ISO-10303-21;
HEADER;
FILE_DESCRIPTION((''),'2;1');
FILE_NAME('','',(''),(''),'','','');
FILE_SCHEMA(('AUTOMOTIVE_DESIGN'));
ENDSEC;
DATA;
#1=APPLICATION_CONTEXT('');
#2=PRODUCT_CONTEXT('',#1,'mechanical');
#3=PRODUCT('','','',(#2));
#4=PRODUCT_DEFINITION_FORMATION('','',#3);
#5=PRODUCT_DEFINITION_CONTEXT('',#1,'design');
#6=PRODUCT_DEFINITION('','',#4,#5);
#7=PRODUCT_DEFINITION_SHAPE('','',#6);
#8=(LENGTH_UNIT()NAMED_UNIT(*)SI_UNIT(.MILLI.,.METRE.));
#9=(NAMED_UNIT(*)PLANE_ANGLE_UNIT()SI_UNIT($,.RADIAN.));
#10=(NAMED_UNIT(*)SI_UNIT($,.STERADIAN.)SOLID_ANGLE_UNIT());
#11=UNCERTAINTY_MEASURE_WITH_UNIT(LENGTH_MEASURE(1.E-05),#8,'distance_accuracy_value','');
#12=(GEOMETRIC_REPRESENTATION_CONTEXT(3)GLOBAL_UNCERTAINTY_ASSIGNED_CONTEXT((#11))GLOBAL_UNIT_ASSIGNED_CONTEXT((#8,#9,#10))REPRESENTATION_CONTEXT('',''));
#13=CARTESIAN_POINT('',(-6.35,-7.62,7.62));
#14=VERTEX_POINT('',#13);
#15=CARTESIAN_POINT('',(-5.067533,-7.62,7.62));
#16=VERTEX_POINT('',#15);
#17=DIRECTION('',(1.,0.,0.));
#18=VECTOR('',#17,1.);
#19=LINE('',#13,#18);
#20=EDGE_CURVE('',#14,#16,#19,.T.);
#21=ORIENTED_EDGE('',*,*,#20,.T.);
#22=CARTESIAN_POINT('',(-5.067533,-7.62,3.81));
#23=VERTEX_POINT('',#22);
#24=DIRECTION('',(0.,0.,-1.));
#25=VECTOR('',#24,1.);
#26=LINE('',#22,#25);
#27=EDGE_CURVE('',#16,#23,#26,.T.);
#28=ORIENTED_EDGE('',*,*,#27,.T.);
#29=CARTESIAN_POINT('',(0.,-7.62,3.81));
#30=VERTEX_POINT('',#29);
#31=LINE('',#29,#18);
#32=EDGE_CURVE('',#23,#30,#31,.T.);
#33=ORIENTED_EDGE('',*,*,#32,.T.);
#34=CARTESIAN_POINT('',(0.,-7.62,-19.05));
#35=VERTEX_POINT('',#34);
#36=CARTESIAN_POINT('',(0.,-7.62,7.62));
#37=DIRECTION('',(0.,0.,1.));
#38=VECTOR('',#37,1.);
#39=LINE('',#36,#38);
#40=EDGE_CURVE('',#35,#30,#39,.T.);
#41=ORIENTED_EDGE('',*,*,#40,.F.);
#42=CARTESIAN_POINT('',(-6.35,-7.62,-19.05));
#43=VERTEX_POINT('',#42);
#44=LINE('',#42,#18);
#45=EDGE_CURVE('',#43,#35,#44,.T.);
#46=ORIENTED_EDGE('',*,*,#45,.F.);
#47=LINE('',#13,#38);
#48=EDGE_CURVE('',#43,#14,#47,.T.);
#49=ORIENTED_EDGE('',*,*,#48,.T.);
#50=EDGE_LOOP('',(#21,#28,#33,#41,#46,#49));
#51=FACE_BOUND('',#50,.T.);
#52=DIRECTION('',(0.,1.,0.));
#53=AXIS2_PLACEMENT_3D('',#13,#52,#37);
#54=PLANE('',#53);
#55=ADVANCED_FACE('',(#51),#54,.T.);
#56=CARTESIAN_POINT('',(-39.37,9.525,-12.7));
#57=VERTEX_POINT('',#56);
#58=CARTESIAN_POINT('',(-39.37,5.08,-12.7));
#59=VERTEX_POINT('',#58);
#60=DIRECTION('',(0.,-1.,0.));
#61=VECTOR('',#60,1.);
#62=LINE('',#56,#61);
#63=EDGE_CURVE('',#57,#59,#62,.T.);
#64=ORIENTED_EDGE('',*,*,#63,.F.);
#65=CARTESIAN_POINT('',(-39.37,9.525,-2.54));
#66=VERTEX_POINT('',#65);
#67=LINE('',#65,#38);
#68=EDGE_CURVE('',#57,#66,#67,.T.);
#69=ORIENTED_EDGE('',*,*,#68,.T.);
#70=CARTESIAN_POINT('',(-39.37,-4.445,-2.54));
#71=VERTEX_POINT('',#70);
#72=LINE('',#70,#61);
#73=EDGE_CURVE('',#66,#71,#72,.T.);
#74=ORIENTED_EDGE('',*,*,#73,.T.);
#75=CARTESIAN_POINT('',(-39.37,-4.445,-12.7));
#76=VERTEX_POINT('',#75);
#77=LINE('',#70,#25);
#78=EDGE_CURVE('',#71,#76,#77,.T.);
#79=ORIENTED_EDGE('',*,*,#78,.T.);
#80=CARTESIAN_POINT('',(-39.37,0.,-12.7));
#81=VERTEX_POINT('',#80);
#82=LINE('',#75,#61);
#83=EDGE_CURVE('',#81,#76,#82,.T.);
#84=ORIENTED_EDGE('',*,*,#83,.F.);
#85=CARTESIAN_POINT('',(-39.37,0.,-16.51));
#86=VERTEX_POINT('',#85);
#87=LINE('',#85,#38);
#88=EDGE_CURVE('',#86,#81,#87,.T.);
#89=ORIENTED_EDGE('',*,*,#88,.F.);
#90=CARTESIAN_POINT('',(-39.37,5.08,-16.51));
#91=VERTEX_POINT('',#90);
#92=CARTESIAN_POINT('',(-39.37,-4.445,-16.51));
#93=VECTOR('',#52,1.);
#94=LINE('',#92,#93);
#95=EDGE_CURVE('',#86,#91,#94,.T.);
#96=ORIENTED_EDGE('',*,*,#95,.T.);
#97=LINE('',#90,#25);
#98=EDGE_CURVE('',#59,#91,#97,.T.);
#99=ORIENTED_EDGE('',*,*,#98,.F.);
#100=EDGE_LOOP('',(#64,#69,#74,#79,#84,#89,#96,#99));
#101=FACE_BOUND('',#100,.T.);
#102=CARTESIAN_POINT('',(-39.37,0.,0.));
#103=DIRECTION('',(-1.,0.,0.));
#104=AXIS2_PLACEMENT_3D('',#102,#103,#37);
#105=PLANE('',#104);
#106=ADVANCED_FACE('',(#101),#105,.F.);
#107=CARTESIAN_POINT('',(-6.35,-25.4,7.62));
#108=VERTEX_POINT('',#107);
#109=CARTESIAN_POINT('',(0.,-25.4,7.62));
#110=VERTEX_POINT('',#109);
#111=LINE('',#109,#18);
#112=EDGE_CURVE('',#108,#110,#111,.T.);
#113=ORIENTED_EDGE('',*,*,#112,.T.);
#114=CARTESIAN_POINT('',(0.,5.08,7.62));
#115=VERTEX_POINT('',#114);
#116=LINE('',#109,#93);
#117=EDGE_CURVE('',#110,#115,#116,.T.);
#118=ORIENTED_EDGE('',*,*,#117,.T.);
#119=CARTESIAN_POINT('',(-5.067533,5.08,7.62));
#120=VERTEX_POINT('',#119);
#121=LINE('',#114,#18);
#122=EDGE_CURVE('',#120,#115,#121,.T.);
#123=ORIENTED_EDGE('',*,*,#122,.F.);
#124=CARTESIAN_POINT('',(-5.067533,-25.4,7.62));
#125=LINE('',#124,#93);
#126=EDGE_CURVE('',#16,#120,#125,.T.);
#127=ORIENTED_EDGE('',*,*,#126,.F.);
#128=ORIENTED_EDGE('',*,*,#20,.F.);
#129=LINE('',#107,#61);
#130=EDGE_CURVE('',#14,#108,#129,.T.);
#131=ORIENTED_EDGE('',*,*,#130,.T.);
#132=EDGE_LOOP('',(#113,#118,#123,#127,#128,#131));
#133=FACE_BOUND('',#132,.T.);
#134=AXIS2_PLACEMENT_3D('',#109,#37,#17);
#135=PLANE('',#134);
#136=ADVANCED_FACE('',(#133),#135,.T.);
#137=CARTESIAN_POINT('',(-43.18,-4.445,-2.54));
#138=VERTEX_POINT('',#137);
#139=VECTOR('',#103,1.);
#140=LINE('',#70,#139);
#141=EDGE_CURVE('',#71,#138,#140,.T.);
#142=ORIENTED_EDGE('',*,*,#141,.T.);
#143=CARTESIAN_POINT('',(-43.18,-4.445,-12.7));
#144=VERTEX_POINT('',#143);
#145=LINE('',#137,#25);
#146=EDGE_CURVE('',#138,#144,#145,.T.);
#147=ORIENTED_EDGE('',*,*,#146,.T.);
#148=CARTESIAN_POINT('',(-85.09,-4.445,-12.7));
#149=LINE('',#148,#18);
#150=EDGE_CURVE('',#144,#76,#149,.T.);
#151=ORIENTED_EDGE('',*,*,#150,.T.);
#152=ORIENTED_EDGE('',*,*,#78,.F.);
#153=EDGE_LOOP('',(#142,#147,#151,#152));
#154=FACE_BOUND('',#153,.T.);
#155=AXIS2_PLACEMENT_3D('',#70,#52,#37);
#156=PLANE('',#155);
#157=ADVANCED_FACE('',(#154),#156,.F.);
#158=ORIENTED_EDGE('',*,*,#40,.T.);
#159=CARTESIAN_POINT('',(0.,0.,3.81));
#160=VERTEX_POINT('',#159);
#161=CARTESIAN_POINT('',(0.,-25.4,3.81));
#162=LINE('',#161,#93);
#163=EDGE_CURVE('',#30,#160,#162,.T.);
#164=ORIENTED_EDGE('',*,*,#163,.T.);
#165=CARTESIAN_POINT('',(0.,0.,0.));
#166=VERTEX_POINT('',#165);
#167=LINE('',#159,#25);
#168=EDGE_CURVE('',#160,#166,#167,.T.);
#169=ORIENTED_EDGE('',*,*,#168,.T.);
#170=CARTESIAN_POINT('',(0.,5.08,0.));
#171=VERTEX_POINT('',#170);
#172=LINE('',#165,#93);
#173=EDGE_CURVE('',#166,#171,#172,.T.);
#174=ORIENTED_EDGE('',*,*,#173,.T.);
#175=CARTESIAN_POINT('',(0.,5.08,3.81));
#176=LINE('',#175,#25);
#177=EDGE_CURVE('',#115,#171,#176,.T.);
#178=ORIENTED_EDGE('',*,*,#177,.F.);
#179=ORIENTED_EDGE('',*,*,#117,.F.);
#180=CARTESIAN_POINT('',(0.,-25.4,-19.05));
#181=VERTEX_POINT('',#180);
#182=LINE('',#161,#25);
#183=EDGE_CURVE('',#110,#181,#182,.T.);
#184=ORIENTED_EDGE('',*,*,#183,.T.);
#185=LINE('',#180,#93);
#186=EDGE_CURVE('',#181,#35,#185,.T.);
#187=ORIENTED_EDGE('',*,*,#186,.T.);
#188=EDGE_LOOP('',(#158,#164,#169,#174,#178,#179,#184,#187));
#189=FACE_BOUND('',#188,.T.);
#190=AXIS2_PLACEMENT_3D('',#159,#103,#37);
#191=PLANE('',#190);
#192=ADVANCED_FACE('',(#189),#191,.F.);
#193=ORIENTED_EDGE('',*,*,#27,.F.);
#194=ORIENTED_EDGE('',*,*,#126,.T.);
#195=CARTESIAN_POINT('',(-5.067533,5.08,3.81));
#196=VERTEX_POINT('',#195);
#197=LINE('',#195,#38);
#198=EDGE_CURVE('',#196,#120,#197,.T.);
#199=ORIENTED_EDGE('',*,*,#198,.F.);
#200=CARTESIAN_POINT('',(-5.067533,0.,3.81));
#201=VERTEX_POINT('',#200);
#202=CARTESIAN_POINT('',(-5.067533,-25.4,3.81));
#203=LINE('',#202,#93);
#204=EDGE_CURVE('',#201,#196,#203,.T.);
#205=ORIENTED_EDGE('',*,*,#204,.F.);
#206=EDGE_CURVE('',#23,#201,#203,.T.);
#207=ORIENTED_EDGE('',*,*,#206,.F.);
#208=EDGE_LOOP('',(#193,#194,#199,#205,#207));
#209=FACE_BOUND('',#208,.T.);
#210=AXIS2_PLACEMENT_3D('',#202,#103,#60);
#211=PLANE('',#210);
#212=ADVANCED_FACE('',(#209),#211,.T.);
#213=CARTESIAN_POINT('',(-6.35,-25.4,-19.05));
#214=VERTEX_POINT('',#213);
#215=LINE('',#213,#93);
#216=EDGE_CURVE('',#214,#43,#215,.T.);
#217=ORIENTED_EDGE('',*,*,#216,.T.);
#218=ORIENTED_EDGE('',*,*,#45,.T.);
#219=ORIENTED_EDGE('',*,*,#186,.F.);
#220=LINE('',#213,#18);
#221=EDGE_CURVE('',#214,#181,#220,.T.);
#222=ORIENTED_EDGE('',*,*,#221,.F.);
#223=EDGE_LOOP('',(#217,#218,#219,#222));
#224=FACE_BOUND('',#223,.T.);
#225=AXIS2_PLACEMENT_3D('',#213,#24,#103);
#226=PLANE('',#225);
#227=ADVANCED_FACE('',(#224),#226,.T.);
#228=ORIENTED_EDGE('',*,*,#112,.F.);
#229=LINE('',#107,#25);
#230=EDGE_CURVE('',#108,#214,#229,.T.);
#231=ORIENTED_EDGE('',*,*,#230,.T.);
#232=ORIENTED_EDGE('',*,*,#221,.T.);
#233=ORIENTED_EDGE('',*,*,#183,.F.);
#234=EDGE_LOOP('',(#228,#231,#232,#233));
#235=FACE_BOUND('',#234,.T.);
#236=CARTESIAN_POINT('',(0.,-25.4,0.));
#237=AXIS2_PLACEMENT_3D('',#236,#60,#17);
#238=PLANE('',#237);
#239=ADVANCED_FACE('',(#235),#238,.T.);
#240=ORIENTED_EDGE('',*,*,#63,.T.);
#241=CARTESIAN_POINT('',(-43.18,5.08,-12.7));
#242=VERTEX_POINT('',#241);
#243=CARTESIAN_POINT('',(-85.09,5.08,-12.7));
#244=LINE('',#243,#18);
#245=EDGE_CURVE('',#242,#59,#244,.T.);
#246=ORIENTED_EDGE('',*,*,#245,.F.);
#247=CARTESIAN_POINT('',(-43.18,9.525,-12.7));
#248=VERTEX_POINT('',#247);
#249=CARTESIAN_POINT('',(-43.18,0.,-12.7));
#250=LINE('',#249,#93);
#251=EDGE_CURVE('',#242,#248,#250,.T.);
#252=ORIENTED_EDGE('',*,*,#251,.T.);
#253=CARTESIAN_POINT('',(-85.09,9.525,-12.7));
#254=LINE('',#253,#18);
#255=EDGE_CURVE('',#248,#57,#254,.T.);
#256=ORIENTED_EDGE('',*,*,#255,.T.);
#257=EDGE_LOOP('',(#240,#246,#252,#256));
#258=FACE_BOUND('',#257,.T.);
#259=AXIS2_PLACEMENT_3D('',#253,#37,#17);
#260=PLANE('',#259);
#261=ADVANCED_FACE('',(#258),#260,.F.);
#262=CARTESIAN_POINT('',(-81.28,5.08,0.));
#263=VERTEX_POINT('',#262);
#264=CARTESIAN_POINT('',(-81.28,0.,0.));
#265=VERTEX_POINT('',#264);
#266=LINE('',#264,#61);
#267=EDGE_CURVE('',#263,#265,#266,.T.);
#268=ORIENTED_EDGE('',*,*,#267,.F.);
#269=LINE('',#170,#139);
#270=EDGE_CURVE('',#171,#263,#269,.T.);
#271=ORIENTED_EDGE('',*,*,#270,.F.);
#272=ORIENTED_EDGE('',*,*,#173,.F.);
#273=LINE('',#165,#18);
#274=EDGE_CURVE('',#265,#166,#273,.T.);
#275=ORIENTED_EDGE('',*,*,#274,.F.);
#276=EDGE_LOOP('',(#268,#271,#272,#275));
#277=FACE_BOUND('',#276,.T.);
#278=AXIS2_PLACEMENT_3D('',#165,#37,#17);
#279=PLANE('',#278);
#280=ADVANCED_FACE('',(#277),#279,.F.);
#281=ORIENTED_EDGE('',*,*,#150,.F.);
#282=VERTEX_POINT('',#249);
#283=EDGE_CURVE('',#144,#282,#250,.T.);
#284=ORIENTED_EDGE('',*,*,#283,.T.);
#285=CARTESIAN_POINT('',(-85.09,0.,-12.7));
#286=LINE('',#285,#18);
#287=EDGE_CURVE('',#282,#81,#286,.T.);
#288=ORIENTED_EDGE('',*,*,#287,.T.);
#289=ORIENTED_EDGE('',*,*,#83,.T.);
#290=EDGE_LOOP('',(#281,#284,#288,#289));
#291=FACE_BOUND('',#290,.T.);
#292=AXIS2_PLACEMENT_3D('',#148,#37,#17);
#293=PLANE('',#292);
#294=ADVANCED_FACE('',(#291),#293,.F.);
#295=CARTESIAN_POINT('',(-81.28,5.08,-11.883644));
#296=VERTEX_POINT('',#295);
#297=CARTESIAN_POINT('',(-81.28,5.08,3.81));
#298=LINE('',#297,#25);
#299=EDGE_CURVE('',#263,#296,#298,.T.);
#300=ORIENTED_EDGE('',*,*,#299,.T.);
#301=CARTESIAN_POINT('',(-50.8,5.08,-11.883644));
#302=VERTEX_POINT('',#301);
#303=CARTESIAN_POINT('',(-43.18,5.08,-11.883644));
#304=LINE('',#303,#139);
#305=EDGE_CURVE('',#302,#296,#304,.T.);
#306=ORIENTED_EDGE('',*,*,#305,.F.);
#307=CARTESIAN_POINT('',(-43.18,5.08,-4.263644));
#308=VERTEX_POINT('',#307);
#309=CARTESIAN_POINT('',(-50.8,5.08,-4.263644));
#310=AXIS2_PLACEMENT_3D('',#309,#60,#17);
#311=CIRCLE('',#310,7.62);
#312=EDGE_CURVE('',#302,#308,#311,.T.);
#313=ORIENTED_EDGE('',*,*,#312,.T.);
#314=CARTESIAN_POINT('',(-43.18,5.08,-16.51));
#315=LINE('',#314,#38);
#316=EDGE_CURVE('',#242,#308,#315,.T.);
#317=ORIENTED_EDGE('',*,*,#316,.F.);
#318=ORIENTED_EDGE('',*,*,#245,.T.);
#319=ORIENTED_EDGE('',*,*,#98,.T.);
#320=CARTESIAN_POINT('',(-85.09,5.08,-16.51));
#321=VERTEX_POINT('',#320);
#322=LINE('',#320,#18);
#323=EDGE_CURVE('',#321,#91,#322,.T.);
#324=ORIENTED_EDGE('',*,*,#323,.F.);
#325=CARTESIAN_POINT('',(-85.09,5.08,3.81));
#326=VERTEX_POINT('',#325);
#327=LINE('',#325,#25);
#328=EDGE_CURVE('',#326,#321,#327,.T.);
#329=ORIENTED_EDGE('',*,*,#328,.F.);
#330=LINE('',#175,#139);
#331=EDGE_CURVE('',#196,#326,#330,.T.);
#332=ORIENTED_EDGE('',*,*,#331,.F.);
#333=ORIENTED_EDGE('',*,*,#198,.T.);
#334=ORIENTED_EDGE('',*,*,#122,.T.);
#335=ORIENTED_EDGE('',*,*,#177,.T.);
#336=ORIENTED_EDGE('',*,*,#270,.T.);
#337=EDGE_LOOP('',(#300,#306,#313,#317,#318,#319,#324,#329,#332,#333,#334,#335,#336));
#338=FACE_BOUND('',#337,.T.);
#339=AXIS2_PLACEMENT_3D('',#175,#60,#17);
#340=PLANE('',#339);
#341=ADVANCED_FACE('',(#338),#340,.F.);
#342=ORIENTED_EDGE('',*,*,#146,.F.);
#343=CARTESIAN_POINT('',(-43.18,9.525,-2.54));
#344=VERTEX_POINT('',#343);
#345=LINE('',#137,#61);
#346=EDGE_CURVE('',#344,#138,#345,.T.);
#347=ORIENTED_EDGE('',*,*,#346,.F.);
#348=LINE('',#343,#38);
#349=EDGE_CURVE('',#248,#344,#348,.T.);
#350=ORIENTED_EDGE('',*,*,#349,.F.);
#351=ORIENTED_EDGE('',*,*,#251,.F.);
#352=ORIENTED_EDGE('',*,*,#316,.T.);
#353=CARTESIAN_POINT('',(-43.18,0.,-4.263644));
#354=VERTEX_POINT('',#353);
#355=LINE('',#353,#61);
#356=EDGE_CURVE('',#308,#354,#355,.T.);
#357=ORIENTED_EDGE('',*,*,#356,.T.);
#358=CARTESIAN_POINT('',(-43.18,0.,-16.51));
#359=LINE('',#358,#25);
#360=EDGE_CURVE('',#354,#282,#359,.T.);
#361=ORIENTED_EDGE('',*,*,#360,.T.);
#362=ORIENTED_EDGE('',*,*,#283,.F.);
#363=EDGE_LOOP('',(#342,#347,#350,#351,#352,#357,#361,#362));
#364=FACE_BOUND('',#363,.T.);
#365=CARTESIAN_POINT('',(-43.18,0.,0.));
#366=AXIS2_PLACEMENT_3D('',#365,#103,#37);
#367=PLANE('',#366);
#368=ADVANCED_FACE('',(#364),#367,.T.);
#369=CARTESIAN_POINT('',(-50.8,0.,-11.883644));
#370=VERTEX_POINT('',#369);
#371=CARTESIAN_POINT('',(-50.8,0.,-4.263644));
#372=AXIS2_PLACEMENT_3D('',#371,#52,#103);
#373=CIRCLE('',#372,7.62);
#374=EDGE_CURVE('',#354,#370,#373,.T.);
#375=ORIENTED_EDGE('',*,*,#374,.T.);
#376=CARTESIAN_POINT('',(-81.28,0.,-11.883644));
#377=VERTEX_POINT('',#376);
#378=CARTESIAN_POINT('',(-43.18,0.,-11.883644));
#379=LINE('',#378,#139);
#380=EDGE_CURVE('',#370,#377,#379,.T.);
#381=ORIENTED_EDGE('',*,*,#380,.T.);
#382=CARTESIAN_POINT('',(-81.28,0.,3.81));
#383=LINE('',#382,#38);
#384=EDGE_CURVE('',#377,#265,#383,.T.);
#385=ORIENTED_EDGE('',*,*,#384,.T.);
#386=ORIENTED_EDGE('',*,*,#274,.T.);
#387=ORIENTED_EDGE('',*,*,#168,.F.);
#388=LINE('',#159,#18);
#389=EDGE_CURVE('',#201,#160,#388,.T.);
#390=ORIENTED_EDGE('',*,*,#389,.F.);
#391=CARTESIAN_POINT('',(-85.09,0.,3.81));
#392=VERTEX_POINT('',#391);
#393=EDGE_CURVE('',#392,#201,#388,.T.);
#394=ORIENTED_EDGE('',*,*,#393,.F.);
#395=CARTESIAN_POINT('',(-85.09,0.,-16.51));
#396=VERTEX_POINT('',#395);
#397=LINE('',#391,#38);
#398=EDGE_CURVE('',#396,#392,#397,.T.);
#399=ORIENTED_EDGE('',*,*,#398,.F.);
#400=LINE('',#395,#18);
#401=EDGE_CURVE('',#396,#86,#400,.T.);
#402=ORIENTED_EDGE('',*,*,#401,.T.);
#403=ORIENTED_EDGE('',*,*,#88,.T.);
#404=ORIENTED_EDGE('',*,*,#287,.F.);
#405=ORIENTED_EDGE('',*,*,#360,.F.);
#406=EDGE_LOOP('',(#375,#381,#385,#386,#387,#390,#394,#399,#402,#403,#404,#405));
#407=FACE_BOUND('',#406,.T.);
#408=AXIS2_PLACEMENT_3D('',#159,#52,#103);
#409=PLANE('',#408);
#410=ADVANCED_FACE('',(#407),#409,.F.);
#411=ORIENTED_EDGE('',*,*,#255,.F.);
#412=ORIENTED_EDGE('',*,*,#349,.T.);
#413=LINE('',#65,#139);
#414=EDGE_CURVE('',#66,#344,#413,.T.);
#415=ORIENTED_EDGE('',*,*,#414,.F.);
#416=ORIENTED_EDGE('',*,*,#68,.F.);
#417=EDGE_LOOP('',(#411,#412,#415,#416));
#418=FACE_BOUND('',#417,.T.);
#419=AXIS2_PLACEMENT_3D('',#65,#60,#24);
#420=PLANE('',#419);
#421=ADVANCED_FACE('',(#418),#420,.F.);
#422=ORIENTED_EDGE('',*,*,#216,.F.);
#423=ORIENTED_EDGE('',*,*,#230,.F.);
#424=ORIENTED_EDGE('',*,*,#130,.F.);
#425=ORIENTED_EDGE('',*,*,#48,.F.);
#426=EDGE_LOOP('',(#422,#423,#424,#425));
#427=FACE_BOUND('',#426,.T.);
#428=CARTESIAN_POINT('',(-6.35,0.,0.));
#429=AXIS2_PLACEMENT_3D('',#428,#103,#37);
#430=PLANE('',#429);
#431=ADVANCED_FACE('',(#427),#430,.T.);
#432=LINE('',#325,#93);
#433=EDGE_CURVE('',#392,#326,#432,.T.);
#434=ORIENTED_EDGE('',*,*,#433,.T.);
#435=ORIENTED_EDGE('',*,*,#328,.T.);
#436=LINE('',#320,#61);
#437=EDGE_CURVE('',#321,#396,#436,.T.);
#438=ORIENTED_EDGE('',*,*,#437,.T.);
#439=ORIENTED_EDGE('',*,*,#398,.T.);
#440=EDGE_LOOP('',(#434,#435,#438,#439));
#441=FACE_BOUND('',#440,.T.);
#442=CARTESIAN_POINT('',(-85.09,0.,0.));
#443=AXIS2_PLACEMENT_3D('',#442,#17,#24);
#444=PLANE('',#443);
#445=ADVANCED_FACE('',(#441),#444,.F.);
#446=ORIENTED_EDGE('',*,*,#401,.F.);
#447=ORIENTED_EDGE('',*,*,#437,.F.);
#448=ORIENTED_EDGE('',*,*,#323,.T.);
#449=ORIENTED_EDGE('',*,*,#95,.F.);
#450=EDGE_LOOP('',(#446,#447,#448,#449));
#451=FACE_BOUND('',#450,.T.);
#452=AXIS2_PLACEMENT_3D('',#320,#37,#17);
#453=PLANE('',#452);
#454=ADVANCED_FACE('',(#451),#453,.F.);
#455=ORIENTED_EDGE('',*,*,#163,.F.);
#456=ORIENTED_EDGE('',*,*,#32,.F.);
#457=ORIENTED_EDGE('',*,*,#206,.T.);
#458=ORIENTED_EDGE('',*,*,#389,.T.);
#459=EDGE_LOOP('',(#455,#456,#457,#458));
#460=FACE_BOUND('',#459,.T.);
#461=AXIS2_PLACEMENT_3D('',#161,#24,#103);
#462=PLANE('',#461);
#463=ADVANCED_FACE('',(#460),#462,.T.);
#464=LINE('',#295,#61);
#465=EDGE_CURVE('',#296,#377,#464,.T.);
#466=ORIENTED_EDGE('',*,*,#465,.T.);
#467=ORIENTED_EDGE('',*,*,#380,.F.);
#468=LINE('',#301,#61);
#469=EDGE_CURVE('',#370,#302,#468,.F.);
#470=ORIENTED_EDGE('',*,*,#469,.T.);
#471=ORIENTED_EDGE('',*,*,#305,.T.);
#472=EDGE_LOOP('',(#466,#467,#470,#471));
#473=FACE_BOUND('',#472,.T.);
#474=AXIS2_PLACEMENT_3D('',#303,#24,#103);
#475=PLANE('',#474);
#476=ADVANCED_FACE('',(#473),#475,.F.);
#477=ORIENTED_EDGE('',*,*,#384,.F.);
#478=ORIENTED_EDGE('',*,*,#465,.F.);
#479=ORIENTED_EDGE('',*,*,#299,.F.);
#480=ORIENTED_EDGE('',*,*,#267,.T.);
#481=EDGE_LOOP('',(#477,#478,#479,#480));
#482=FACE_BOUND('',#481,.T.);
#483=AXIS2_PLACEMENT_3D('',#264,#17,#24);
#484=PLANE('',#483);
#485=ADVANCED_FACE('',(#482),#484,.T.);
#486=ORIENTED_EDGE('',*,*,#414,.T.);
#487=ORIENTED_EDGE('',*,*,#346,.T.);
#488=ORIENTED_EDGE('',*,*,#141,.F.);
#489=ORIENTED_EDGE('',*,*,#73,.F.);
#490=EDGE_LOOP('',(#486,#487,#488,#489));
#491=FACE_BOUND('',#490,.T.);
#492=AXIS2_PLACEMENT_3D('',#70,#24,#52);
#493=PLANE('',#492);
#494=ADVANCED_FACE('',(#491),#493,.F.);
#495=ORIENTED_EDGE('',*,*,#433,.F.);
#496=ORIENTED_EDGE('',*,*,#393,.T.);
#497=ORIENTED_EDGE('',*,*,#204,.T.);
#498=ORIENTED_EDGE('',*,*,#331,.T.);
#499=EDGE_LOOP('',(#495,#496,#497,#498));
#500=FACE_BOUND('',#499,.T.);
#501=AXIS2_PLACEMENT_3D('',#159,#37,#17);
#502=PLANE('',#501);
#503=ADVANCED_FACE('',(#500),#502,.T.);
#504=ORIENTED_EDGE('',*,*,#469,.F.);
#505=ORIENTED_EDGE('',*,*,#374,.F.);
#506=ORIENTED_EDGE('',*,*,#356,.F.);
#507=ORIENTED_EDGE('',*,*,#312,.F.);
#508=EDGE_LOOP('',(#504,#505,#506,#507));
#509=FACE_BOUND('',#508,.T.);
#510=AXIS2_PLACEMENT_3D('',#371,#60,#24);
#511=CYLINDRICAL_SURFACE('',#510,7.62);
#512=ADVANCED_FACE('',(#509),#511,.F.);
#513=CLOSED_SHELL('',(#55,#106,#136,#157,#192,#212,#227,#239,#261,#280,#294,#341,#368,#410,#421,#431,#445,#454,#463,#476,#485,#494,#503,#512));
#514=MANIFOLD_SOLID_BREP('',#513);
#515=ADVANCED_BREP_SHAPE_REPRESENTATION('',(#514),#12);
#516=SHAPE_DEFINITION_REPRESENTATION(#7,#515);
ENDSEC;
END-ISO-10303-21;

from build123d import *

# Parameters (mm, degrees)
SKETCH1_W           = 81.28
SKETCH1_H           = 5.08
BOSS_EXTRUDE1_DEPTH = 3.81
SKETCH3_W           = 5.067533081
SKETCH3_H           = 3.81
BOSS_EXTRUDE2_DEPTH = 30.48
SKETCH4_W           = 26.67
SKETCH4_H           = 17.78
BOSS_EXTRUDE3_DEPTH = 6.35
SKETCH6_W           = 20.32
SKETCH6_H           = 5.08
BOSS_EXTRUDE4_DEPTH = 3.81
SKETCH7_W           = 4.626355507
SKETCH7_H           = 5.08
BOSS_EXTRUDE5_DEPTH = 38.1
SKETCH8_W           = 13.97
SKETCH8_H           = 13.97
BOSS_EXTRUDE6_DEPTH = 3.81
SKETCH9_W           = 3.81
SKETCH9_H           = 4.445
CUT_EXTRUDE1_DEPTH  = 56.663101782
FILLET1_R           = 7.62


with BuildPart() as part:
    # Sketch1 → Boss-Extrude1 (new body)
    with BuildSketch(Plane.XY):
        with Locations((-40.64, 2.54)):
            Rectangle(SKETCH1_W, SKETCH1_H)
    extrude(amount=BOSS_EXTRUDE1_DEPTH)

    # Sketch3 → Boss-Extrude2 (add)
    with BuildSketch(Plane(origin=(0, 5.08, 0), x_dir=(1, 0, 0), z_dir=(0, 1, 0))):
        with Locations((-2.533766541, -5.715)):
            Rectangle(SKETCH3_W, SKETCH3_H)
    extrude(amount=-BOSS_EXTRUDE2_DEPTH)

    # Sketch4 → Boss-Extrude3 (add)
    with BuildSketch(Plane(origin=(0, 0, 0), x_dir=(0, 0, -1), z_dir=(1, 0, 0))):
        with Locations((5.715, -16.51)):
            Rectangle(SKETCH4_W, SKETCH4_H)
    extrude(amount=-BOSS_EXTRUDE3_DEPTH)

    # Sketch6 → Boss-Extrude4 (add)
    with BuildSketch(Plane.ZY.offset(81.28)):
        with Locations((-6.35, 2.54)):
            Rectangle(SKETCH6_W, SKETCH6_H)
    extrude(amount=BOSS_EXTRUDE4_DEPTH)

    # Sketch7 → Boss-Extrude5 (add)
    with BuildSketch(Plane(origin=(-81.28, 0, 0), x_dir=(0, 0, -1), z_dir=(1, 0, 0))):
        with Locations((14.196822247, 2.54)):
            Rectangle(SKETCH7_W, SKETCH7_H)
    extrude(amount=BOSS_EXTRUDE5_DEPTH)

    # Sketch8 → Boss-Extrude6 (add)
    with BuildSketch(Plane(origin=(-43.18, 0, 0), x_dir=(0, 0, -1), z_dir=(1, 0, 0))):
        with Locations((9.525, 2.54)):
            Rectangle(SKETCH8_W, SKETCH8_H)
    extrude(amount=BOSS_EXTRUDE6_DEPTH)

    # Sketch9 → Cut-Extrude1 (cut, through all)
    with BuildSketch(Plane(origin=(-39.37, 0, 0), x_dir=(0, 0, -1), z_dir=(1, 0, 0))):
        with Locations((14.605, -2.2225)):
            Rectangle(SKETCH9_W, SKETCH9_H)
        with Locations((14.605, 7.3025)):
            Rectangle(SKETCH9_W, SKETCH9_H)
    extrude(amount=-CUT_EXTRUDE1_DEPTH, mode=Mode.SUBTRACT)

    # Fillet1
    fillet1_edges = [part.edges().sort_by_distance(p)[0] for p in [
        (-43.18, 2.54, -11.883644493),
    ]]
    fillet(fillet1_edges, radius=FILLET1_R)


solid = part.part
